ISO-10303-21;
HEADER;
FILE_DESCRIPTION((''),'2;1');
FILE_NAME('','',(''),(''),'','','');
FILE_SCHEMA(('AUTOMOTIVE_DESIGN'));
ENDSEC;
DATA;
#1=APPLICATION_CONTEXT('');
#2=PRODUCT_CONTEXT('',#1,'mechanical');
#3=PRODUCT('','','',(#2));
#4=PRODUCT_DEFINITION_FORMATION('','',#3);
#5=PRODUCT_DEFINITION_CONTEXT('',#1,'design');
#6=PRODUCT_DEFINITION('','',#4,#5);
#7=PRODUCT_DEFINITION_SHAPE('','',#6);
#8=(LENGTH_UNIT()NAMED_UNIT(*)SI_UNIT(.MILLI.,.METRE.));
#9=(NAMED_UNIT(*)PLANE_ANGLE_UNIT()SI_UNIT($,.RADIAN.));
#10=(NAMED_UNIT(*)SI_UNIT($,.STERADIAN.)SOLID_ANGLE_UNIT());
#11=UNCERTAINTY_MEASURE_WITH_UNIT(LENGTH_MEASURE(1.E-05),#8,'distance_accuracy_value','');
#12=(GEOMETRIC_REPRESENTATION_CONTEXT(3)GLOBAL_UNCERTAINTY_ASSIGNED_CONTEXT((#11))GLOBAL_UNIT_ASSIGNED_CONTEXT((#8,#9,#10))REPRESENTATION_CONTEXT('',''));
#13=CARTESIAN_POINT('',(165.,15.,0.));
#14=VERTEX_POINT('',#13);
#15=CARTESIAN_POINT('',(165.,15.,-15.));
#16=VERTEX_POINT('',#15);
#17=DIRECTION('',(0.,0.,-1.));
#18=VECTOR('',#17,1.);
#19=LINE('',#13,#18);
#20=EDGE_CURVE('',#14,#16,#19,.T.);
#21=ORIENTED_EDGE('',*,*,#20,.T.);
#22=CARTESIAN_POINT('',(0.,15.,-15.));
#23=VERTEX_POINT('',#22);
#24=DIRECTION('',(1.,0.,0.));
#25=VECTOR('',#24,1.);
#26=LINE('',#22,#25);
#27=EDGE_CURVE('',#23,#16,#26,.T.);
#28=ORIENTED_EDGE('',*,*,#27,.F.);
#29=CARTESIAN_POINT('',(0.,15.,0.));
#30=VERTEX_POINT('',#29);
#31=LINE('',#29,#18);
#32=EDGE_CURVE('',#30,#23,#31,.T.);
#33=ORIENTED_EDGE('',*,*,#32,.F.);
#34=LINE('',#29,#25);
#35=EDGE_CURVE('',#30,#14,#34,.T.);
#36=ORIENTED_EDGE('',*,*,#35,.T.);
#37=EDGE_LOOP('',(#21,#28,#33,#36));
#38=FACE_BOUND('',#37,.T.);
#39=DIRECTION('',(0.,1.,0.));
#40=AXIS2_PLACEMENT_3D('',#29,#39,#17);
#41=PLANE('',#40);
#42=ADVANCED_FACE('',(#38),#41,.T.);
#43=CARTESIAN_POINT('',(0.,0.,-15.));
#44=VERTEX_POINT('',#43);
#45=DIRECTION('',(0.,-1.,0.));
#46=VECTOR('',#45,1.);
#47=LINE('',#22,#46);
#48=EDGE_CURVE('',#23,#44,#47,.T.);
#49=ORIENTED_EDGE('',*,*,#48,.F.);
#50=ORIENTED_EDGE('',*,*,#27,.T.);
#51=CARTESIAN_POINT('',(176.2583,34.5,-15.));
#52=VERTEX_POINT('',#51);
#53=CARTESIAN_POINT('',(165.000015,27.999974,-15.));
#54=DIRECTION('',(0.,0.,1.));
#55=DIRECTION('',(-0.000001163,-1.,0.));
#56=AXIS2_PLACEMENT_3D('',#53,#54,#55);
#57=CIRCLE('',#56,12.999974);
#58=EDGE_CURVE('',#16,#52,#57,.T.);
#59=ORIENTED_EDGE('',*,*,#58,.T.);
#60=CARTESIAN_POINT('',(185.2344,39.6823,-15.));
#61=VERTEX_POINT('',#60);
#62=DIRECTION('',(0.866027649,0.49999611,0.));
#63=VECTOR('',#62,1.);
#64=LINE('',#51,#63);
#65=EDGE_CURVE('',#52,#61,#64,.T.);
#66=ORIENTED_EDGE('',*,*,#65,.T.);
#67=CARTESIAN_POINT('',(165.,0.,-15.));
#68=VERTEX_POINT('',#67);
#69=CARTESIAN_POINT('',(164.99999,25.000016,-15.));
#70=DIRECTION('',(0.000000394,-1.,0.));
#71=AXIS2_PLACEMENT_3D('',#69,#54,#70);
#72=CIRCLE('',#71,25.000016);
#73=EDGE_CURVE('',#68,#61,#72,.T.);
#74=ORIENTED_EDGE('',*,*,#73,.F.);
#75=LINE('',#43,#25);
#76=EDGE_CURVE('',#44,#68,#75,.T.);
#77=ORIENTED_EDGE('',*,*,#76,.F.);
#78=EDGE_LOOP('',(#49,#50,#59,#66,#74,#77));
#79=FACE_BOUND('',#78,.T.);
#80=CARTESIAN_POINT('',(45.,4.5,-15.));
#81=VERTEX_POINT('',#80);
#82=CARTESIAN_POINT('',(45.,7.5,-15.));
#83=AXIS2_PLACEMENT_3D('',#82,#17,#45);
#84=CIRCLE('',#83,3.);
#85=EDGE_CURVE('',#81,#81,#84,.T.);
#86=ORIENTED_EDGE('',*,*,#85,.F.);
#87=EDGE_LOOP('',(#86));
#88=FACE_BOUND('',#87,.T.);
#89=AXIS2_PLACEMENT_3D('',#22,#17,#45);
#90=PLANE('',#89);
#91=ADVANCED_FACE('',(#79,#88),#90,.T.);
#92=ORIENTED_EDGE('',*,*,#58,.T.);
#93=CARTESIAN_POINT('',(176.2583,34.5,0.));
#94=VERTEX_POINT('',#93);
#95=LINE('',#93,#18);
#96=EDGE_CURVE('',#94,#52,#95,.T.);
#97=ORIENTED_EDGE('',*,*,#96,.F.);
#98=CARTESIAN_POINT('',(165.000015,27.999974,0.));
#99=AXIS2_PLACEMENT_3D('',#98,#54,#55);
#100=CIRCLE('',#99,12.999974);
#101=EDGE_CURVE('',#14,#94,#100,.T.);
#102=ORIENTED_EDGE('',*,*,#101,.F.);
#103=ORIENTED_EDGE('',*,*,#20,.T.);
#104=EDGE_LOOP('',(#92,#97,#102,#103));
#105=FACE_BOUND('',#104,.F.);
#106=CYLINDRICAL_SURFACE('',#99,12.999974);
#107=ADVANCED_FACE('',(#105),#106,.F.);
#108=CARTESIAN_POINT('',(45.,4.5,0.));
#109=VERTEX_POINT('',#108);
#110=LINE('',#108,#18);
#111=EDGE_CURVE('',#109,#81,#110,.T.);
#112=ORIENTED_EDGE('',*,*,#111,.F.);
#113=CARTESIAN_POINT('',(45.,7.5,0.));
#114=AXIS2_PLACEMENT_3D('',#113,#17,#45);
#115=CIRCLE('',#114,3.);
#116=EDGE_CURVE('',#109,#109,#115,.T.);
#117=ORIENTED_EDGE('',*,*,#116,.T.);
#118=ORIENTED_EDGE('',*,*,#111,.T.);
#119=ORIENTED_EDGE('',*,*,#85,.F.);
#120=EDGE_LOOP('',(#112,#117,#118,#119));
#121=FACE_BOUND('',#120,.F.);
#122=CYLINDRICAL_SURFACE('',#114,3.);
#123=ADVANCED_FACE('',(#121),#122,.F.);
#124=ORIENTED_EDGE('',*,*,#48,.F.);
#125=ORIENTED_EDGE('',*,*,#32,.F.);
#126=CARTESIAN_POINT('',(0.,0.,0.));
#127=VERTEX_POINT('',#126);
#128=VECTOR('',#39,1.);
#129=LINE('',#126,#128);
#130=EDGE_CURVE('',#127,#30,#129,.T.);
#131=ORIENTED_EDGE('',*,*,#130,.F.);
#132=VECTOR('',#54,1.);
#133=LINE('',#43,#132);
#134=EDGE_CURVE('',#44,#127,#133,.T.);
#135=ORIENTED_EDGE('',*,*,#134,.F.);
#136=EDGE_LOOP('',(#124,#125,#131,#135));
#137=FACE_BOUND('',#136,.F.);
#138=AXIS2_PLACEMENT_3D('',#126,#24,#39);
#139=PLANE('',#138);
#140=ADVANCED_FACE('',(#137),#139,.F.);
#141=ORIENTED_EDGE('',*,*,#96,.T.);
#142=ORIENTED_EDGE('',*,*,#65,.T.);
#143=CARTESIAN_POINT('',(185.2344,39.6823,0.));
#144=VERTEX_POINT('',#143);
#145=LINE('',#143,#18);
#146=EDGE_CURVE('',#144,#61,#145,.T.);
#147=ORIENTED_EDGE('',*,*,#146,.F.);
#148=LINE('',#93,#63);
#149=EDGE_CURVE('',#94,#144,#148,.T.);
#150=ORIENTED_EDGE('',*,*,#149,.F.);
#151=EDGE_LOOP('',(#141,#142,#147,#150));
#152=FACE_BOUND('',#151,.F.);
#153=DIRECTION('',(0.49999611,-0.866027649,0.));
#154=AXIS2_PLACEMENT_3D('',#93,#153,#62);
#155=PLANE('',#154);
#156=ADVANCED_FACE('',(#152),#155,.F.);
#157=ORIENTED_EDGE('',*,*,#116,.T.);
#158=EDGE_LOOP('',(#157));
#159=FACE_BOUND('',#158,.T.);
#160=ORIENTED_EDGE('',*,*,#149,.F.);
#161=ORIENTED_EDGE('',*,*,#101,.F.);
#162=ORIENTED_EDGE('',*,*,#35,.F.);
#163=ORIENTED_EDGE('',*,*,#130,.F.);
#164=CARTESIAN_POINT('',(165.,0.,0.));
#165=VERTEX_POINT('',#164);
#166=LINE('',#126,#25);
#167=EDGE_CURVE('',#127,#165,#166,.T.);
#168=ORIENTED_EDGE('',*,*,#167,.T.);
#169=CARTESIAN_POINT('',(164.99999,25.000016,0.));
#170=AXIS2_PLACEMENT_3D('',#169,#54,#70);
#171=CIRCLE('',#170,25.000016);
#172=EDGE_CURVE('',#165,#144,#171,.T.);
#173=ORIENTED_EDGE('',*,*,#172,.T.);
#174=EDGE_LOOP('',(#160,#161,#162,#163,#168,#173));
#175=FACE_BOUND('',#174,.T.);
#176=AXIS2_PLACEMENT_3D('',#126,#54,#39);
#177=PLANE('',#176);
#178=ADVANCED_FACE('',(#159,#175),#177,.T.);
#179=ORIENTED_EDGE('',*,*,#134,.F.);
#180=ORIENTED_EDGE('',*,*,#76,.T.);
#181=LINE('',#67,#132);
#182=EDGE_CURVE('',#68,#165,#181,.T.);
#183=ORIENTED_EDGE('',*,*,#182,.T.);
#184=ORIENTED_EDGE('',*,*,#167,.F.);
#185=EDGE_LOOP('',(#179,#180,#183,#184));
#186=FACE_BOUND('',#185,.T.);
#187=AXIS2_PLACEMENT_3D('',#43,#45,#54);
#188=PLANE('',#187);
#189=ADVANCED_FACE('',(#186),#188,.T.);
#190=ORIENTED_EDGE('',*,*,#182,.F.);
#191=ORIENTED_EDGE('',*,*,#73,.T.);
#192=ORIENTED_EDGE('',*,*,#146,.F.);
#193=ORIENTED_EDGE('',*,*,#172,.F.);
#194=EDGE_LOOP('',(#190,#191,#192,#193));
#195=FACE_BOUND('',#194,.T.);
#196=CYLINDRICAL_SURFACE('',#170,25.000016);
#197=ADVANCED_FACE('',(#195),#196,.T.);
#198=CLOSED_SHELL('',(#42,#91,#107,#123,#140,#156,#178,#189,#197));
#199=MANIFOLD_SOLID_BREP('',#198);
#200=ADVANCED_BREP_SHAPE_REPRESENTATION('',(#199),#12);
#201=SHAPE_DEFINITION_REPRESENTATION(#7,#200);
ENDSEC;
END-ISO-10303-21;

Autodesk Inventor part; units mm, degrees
ref_plane "YZ Plane" through (0, 0, 0) normal (1, 0, 0) x (0, 1, 0)
ref_plane "XZ Plane" through (0, 0, 0) normal (0, 1, 0) x (-1, 0, 0)
ref_plane "XY Plane" through (0, 0, 0) normal (0, 0, 1) x (1, 0, 0)
sketch "Sketch1" plane through (0, 0, 0) normal (1, 0, 0) x (0, 1, 0)
  line L0 (0, 0) -> (15, 0)
  line L1 (15, 0) -> (15, -15)
  line L2 (15, -15) -> (0, -15)
  line L3 (0, -15) -> (0, 0)
  dimension "d1" = 15
  dimension "d2" = 15
extrude "Extrusion1" add sketch "Sketch1" along normal blind 165
sketch "Sketch2" plane through (0, 0, 0) normal (0, 0, 1) x (1, 0, 0)
  line L0 (104.748, 28) -> (222.799, 28) construction
  line L1 (0, 15) -> (165, 15) projected
  line L2 (165, 15) -> (165, 0) projected
  line L3 (165, 15) -> (165, 53.4623) construction
  line L4 (116.7358, 25) -> (195.5126, 25) construction
  line L5 (0, 0) -> (165, 0) projected
  line L6 (176.2583, 34.5) -> (185.2344, 39.6823)
  arc A0 (165, 0) -> (185.2344, 39.6823) centre (165, 25) ccw
  arc A1 (165, 15) -> (176.2583, 34.5) centre (165, 28) ccw
  dimension "d5" = 13
  dimension "d6" = 25
  dimension "d9" = 11.2583
  dimension "d10" = 20.2344
extrude "Extrusion2" add sketch "Sketch2" against normal blind 15
sketch "Sketch3" plane through (0, 0, 0) normal (0, 0, 1) x (1, 0, 0)
  line L0 (0, 0) -> (165, 0) projected
  point P0 (45, 7.5)
hole "Hole1" at (45, 7.5, 0) direction (0, 0, -1) diameter 6 end through all
properties part number "garra"
